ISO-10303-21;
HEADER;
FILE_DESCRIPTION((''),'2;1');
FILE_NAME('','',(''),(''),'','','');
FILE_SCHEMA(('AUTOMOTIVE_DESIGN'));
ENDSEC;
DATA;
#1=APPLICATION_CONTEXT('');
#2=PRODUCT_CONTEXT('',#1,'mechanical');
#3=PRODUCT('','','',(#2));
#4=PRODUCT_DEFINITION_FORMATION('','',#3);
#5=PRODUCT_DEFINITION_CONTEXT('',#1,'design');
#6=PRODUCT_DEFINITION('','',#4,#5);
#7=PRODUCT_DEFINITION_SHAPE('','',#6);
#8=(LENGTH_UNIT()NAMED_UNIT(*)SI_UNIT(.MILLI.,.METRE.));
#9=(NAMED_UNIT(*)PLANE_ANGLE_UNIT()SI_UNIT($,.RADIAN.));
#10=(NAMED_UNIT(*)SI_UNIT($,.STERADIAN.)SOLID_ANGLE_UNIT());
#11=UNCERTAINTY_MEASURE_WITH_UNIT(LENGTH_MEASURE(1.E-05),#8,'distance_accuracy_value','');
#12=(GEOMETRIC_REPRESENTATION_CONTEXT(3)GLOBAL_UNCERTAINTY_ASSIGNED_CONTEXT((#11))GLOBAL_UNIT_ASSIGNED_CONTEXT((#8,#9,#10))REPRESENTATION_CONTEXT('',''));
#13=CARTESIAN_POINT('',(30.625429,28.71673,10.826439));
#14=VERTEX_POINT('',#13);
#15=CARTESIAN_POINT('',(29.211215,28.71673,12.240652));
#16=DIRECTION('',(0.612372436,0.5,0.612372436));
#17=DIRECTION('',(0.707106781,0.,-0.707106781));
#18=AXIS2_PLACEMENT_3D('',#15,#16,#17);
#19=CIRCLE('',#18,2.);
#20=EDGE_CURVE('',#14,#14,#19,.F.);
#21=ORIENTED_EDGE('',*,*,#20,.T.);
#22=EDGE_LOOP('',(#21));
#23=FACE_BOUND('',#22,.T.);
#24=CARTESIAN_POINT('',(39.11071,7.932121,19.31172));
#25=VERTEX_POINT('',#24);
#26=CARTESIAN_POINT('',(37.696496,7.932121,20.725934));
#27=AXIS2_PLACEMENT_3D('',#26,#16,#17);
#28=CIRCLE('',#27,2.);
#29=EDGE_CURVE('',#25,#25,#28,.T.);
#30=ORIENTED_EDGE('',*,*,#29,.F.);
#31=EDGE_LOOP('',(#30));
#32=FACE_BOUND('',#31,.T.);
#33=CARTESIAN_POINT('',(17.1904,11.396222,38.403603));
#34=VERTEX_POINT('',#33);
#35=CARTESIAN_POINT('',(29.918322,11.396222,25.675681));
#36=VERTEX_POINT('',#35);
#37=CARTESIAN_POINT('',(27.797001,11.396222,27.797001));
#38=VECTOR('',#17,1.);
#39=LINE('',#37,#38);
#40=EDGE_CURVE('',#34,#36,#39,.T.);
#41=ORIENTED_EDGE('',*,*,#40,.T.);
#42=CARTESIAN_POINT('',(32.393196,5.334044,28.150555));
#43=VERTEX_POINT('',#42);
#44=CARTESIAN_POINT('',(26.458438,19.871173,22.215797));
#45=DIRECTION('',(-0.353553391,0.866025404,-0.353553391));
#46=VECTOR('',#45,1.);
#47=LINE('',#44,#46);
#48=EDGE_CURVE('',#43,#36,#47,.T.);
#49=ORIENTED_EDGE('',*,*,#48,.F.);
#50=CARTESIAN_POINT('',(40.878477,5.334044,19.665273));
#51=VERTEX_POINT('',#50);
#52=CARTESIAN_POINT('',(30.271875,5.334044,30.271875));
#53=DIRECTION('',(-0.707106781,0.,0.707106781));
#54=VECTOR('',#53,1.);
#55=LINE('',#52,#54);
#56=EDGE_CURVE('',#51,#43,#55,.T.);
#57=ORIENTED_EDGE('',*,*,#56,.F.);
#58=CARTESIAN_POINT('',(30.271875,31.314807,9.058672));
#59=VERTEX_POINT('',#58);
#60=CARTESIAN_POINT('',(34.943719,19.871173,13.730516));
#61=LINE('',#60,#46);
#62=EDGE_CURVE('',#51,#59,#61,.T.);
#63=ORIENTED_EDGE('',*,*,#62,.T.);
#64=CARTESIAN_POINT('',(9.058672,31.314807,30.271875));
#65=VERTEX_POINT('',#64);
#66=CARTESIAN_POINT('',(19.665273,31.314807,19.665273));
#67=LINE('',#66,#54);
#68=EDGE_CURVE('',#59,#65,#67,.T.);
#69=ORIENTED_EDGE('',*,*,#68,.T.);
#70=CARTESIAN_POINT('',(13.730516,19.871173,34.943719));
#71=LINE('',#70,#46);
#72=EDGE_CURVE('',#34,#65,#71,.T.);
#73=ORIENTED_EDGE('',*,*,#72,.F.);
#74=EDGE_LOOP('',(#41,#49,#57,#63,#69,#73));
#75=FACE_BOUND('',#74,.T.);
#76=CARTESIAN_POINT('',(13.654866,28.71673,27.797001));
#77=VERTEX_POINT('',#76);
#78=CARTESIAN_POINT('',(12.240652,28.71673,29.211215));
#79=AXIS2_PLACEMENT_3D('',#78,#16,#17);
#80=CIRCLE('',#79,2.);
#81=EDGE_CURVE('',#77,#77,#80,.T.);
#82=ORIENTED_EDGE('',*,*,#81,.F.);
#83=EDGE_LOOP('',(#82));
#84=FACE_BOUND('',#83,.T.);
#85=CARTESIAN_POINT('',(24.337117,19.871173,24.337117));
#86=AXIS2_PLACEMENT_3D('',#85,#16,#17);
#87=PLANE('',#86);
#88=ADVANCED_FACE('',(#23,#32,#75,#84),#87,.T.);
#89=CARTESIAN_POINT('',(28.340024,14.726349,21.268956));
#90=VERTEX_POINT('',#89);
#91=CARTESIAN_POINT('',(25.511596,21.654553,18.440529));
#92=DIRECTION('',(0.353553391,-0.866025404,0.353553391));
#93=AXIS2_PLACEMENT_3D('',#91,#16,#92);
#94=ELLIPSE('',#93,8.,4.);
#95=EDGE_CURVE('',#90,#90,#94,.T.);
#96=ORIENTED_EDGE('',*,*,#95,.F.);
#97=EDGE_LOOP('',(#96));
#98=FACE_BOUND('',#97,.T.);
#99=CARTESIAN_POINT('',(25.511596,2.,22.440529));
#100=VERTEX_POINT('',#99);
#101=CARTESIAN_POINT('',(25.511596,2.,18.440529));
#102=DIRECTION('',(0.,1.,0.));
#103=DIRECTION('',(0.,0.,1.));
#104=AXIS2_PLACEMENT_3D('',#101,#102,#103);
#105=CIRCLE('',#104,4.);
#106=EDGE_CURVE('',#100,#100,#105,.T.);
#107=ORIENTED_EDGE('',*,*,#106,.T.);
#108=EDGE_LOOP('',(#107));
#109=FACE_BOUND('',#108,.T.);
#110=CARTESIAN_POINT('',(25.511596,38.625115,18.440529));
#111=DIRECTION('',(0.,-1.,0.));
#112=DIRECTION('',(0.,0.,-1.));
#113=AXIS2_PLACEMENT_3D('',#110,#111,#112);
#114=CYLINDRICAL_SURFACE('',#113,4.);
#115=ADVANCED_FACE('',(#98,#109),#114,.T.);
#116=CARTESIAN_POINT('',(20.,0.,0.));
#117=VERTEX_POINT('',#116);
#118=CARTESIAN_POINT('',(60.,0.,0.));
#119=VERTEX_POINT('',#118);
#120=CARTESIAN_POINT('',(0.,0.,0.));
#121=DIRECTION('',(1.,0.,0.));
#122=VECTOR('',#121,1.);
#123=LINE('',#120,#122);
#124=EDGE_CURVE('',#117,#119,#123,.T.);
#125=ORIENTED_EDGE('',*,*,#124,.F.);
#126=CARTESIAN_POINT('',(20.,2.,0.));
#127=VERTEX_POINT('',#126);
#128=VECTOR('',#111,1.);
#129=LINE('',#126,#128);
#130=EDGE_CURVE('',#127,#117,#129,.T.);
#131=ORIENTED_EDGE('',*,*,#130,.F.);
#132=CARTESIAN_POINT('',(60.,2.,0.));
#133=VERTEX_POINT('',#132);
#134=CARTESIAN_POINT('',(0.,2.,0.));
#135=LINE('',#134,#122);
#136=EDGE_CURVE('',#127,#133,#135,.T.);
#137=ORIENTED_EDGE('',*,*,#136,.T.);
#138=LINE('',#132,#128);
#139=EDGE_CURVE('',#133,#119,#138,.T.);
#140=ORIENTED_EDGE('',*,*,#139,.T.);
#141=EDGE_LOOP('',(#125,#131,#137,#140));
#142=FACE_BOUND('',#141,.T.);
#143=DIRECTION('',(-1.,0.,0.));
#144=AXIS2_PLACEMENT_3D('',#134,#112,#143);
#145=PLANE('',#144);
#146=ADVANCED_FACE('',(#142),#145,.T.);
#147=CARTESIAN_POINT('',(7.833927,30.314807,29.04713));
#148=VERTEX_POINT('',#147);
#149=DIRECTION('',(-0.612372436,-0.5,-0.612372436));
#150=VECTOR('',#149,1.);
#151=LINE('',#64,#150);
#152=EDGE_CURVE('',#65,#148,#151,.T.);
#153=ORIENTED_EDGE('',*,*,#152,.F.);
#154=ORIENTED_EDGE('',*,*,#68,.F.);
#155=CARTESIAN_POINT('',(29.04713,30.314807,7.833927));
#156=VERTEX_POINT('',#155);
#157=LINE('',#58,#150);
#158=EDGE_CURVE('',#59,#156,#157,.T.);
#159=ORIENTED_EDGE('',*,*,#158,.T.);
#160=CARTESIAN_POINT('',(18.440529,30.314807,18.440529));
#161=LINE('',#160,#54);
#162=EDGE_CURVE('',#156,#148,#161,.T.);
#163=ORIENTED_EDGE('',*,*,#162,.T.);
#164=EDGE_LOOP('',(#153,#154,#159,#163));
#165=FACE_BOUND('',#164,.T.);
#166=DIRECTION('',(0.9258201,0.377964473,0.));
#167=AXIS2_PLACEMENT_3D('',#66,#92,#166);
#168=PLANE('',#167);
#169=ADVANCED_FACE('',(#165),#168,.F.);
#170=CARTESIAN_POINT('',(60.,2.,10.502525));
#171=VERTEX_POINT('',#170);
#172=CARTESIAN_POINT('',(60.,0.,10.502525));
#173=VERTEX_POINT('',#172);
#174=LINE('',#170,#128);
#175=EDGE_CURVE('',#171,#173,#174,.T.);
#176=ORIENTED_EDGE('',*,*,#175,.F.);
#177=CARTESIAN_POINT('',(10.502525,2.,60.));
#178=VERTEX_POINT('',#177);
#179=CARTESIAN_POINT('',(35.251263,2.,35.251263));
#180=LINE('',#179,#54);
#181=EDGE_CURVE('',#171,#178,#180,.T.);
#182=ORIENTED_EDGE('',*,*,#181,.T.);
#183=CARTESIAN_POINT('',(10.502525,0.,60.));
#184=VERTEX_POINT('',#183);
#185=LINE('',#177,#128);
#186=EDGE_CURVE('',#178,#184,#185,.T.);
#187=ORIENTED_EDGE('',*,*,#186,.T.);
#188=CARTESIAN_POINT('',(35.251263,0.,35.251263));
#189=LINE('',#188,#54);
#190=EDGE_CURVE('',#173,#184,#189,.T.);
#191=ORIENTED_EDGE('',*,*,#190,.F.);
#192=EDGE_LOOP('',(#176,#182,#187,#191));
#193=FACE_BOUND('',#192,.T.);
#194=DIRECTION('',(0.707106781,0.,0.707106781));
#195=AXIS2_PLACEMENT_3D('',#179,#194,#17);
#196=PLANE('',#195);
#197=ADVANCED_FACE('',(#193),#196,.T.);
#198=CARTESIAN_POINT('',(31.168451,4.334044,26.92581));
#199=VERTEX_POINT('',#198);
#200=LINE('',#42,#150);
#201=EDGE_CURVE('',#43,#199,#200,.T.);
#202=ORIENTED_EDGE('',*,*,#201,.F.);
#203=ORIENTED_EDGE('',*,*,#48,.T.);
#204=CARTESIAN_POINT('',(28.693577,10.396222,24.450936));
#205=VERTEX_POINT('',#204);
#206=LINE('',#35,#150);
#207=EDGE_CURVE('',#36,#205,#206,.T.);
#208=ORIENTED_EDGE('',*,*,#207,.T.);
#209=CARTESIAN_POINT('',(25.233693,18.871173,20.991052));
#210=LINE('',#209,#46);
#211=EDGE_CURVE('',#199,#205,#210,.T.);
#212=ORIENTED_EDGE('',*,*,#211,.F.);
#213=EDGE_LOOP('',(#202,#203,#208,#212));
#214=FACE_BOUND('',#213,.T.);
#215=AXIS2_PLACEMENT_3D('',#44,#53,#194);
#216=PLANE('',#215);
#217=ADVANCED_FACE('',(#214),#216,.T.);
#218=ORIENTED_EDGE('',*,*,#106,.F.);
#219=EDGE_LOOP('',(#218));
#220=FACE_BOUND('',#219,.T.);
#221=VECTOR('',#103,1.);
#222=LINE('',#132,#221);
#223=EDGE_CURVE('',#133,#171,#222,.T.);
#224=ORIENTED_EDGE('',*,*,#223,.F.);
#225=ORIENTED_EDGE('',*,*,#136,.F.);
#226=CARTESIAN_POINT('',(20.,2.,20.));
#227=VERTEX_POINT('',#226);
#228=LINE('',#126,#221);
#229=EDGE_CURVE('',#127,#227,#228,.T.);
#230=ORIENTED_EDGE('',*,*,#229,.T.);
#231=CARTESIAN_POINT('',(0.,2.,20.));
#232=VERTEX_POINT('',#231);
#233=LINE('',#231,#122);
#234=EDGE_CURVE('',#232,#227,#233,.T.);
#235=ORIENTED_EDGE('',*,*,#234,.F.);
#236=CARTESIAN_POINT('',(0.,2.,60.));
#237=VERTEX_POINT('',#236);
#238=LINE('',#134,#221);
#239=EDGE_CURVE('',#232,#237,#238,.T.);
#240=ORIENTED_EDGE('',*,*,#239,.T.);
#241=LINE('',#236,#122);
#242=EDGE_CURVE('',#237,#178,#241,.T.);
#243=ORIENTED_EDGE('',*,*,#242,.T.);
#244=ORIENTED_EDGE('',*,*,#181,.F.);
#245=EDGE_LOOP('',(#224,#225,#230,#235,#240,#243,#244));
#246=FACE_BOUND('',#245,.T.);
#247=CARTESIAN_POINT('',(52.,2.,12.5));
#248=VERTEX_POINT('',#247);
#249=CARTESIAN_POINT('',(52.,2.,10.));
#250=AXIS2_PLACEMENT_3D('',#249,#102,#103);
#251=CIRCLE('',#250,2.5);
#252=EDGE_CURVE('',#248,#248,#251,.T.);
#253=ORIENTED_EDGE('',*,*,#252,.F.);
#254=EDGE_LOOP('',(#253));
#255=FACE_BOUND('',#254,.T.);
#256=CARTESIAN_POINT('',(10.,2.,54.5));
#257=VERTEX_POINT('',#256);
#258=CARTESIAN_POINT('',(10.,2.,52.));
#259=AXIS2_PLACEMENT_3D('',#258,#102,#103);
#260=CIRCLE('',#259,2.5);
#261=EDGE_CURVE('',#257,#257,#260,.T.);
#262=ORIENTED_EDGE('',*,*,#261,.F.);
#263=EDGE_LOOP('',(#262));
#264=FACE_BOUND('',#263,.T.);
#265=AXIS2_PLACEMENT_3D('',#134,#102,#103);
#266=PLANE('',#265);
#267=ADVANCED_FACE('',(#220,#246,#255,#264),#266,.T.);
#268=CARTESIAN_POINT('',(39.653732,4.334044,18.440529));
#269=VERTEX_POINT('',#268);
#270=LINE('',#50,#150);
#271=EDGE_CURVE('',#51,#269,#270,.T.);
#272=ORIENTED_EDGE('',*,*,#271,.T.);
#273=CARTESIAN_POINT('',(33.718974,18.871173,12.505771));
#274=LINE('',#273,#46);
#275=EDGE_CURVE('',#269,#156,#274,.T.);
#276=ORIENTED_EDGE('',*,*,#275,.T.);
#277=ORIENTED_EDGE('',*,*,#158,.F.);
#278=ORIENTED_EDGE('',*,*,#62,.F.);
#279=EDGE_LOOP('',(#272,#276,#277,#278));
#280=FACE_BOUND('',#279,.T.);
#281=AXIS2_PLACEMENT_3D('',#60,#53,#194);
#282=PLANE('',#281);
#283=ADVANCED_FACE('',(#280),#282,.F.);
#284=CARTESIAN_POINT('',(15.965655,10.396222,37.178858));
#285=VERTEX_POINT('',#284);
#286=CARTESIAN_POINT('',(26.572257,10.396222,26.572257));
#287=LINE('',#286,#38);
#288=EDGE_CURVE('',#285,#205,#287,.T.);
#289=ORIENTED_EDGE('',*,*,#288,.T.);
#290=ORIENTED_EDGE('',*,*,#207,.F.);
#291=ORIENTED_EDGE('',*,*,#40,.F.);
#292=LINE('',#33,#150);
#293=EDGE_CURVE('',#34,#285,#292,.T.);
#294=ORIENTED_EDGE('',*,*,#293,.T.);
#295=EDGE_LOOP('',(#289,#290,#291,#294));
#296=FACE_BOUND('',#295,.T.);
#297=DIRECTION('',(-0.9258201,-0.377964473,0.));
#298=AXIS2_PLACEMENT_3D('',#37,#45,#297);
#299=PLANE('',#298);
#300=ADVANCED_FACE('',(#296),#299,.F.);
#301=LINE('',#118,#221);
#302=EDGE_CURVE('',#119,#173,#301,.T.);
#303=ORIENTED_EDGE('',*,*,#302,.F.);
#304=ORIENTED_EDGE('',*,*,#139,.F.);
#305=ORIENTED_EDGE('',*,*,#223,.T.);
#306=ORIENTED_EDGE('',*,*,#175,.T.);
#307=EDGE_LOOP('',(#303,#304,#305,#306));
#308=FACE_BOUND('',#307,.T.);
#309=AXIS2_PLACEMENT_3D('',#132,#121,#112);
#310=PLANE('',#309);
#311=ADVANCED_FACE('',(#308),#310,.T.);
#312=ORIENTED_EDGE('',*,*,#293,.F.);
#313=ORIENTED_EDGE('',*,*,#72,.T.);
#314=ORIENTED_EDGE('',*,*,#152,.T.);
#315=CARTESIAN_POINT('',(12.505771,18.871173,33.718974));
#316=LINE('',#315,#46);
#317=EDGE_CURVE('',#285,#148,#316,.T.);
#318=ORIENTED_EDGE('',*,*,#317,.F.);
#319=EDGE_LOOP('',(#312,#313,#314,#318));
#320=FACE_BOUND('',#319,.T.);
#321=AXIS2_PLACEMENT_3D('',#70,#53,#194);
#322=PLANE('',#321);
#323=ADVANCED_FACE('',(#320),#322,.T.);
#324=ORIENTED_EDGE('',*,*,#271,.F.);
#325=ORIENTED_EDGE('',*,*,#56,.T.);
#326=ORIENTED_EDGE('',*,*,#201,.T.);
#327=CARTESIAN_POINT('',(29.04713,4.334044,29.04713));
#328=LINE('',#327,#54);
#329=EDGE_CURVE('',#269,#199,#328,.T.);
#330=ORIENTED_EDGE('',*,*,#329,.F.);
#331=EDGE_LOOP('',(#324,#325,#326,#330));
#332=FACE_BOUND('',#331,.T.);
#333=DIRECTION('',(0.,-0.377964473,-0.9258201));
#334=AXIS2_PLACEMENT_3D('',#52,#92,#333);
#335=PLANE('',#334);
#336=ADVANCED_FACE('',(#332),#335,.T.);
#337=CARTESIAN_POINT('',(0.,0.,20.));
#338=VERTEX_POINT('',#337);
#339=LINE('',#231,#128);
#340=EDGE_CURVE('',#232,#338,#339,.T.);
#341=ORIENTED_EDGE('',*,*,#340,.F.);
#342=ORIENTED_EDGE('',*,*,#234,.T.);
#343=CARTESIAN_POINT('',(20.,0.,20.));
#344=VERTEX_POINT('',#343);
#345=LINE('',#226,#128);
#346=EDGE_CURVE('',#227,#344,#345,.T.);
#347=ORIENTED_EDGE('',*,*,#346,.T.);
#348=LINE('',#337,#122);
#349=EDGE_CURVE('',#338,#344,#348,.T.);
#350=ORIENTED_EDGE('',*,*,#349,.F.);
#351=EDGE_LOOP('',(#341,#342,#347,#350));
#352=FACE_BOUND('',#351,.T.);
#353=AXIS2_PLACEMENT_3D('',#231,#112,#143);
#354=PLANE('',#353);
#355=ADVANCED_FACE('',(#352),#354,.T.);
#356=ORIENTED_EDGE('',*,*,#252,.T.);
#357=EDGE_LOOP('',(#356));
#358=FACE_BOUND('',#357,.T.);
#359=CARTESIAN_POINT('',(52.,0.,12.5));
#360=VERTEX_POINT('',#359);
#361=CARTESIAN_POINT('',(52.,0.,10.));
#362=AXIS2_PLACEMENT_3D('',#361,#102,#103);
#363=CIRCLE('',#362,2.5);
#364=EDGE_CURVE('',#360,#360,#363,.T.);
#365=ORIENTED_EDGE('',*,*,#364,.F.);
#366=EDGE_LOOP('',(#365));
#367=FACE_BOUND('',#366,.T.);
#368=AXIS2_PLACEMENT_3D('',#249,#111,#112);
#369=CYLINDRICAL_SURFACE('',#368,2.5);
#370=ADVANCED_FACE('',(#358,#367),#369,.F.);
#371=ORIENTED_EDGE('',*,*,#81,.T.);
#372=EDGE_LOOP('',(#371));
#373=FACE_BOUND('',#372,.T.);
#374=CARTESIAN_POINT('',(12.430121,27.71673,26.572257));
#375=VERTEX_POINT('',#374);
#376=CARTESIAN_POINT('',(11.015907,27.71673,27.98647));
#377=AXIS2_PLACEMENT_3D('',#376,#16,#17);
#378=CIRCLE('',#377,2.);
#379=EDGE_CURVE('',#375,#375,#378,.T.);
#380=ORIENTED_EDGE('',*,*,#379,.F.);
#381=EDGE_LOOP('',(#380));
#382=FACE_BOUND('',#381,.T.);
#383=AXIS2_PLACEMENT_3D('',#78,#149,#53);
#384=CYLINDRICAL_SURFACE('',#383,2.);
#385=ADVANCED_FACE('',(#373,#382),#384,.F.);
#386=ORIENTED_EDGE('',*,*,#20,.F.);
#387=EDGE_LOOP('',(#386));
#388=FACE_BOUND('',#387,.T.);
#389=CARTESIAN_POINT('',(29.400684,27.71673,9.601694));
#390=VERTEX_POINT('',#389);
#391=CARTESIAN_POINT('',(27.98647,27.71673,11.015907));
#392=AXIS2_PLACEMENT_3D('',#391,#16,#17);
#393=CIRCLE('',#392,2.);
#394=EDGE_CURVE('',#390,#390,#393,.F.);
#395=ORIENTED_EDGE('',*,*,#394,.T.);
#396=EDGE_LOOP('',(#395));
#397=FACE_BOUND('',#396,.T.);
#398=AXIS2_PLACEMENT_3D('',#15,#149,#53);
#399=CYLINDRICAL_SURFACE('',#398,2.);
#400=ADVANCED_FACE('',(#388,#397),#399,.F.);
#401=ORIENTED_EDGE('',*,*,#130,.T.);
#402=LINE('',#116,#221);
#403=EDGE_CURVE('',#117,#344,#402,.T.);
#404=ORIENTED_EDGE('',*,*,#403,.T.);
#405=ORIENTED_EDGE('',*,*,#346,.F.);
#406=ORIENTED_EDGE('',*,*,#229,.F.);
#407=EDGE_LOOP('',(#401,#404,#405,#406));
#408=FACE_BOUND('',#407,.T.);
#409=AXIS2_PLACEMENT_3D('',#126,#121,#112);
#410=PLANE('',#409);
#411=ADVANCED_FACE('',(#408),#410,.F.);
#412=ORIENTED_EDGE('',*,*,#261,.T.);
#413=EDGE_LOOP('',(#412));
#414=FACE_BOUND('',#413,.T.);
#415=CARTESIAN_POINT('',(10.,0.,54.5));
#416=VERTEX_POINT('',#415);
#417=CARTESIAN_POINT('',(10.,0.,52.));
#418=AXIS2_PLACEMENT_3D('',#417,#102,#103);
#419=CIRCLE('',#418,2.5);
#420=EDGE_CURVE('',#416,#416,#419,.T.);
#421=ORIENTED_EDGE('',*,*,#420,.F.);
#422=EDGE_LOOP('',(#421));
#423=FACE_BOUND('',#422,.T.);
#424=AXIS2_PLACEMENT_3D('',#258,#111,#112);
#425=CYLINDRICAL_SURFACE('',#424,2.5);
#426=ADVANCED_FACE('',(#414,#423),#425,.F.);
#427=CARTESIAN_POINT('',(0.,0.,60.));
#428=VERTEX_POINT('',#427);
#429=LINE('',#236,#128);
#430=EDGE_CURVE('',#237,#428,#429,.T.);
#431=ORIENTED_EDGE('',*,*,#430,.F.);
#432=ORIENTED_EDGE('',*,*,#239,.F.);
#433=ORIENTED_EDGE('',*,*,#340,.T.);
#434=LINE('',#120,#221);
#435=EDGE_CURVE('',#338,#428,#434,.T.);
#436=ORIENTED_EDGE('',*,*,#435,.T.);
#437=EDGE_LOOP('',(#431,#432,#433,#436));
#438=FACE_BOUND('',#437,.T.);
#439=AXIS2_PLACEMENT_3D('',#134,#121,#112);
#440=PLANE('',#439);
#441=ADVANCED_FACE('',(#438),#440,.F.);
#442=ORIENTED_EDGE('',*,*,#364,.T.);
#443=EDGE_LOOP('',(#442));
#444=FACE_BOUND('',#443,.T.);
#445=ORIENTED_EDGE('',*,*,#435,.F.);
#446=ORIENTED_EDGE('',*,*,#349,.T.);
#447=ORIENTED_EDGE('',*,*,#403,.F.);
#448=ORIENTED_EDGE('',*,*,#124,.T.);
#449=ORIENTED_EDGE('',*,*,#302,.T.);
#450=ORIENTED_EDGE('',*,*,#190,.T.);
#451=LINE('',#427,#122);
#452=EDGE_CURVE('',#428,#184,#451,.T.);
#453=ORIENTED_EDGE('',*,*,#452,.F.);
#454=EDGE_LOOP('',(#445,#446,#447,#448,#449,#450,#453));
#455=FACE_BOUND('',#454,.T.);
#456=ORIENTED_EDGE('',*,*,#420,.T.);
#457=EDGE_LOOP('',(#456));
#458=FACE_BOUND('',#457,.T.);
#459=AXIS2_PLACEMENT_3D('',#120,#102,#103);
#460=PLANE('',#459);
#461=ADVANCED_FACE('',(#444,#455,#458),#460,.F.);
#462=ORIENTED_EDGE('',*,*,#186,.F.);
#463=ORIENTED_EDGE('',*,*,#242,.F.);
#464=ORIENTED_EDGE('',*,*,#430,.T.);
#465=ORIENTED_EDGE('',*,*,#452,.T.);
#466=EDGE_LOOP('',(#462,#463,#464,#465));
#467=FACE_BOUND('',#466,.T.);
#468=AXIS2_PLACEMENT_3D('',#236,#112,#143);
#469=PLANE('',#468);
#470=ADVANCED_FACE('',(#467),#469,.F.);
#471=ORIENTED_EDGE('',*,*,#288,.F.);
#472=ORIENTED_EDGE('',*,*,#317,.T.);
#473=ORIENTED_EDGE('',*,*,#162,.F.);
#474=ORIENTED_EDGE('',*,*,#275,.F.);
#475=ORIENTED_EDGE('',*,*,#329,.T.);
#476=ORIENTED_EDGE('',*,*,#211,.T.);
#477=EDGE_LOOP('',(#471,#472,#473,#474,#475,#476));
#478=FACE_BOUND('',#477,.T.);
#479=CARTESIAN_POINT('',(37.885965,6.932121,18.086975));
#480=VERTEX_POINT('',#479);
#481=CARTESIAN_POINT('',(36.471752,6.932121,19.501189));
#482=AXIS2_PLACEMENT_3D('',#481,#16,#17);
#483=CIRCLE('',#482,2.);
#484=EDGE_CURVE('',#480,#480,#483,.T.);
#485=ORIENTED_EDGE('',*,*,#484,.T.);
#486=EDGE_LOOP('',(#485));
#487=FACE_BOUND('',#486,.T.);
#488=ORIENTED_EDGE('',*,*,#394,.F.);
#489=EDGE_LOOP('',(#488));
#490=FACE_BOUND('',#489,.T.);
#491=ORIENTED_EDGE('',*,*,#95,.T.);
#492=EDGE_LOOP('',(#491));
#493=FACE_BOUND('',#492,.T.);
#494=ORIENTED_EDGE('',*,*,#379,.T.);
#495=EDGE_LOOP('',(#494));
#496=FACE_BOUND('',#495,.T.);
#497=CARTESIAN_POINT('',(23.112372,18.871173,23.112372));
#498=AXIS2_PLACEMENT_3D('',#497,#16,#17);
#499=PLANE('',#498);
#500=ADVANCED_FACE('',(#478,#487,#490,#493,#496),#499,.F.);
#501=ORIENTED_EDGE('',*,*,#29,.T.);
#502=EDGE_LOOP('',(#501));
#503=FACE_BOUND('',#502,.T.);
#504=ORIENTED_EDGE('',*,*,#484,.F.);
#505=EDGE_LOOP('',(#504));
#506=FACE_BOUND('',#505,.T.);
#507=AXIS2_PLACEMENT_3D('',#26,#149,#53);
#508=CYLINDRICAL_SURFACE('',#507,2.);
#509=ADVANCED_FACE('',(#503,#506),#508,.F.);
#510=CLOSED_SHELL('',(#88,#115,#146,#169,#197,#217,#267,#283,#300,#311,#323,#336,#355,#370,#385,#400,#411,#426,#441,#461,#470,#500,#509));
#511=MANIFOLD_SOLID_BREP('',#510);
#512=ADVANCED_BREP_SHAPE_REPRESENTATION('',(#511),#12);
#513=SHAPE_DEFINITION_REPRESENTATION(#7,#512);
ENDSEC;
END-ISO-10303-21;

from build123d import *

# Parameters (mm, degrees)
SKETCH_1_R      = 2.5
EXTRUDE_1_DEPTH = 2
SKETCH_2_R      = 2
EXTRUDE_3_DEPTH = 2
EXTRUDE_4_REACH = 91.774
SKETCH_4_R      = 4


with BuildPart() as part:
    # 草图1 → 凸台-拉伸1 (new body)
    with BuildSketch(Plane(origin=(0, 0, 0), x_dir=(1, 0, 0), z_dir=(0, 1, 0))):
        Polygon((10.502525317, -60), (60, -10.502525317), (60, 0), (20, 0), (20, -20), (0, -20), (0, -60), align=None)
        with Locations(Location((10, -52, 0), (0, 0, 270))):
            Circle(SKETCH_1_R, mode=Mode.SUBTRACT)
        with Locations(Location((52, -10, 0), (0, 0, 270))):
            Circle(SKETCH_1_R, mode=Mode.SUBTRACT)
    extrude(amount=EXTRUDE_1_DEPTH)



with BuildPart() as body_2:
    # 草图2 → 凸台-拉伸3 (new body)
    with BuildSketch(Plane(origin=(23.112372436, 18.871173071, 23.112372436), x_dir=(-0.7071067811865475, 0, 0.7071067811865477), z_dir=(0.6123724356957955, 0.4999999999999981, 0.6123724356957954))):
        Polygon((-3, 16.786030205), (-15, 16.786030205), (-15, -13.213969795), (15, -13.213969795), (15, 9.786030205), (-3, 9.786030205), align=None)
        with Locations(Location((-12, -10.213969795, 0), (0, 0, 180))):
            Circle(SKETCH_2_R, mode=Mode.SUBTRACT)
        with Locations(Location((12, -10.213969795, 0), (0, 0, 180))):
            Circle(SKETCH_2_R, mode=Mode.SUBTRACT)
        with Locations(Location((-12, 13.786030205, 0), (0, 0, 180))):
            Circle(SKETCH_2_R, mode=Mode.SUBTRACT)
    extrude(amount=EXTRUDE_3_DEPTH)


with BuildPart() as part_1:
    add(part.part)

    add(body_2.part)  # 凸台-拉伸4 merges body 2
    # 凸台-拉伸4: up to this plane
    extrude_4_end = Plane(origin=(23.112372436, 18.871173071, 23.112372436), z_dir=(0.6123724356957954, 0.4999999999999981, 0.6123724356957952))
    # 草图4 → 凸台-拉伸4 (add, up to the surface)
    with BuildSketch(Plane(origin=(0, 2, 0), x_dir=(1, 0, 0), z_dir=(0, 1, 0)), mode=Mode.PRIVATE) as extrude_4_sk1:
        with Locations(Location((25.511596423, -18.440528611, 0), (0, 0, 315))):
            Circle(SKETCH_4_R)
    extrude_4_tool1 = split(extrude(extrude_4_sk1.sketch, amount=EXTRUDE_4_REACH, mode=Mode.PRIVATE), bisect_by=extrude_4_end, keep=Keep.BOTH, mode=Mode.PRIVATE)
    add(extrude_4_tool1.solids().sort_by_distance((25.511596, 2, 18.440529))[0])


solid = part_1.part
